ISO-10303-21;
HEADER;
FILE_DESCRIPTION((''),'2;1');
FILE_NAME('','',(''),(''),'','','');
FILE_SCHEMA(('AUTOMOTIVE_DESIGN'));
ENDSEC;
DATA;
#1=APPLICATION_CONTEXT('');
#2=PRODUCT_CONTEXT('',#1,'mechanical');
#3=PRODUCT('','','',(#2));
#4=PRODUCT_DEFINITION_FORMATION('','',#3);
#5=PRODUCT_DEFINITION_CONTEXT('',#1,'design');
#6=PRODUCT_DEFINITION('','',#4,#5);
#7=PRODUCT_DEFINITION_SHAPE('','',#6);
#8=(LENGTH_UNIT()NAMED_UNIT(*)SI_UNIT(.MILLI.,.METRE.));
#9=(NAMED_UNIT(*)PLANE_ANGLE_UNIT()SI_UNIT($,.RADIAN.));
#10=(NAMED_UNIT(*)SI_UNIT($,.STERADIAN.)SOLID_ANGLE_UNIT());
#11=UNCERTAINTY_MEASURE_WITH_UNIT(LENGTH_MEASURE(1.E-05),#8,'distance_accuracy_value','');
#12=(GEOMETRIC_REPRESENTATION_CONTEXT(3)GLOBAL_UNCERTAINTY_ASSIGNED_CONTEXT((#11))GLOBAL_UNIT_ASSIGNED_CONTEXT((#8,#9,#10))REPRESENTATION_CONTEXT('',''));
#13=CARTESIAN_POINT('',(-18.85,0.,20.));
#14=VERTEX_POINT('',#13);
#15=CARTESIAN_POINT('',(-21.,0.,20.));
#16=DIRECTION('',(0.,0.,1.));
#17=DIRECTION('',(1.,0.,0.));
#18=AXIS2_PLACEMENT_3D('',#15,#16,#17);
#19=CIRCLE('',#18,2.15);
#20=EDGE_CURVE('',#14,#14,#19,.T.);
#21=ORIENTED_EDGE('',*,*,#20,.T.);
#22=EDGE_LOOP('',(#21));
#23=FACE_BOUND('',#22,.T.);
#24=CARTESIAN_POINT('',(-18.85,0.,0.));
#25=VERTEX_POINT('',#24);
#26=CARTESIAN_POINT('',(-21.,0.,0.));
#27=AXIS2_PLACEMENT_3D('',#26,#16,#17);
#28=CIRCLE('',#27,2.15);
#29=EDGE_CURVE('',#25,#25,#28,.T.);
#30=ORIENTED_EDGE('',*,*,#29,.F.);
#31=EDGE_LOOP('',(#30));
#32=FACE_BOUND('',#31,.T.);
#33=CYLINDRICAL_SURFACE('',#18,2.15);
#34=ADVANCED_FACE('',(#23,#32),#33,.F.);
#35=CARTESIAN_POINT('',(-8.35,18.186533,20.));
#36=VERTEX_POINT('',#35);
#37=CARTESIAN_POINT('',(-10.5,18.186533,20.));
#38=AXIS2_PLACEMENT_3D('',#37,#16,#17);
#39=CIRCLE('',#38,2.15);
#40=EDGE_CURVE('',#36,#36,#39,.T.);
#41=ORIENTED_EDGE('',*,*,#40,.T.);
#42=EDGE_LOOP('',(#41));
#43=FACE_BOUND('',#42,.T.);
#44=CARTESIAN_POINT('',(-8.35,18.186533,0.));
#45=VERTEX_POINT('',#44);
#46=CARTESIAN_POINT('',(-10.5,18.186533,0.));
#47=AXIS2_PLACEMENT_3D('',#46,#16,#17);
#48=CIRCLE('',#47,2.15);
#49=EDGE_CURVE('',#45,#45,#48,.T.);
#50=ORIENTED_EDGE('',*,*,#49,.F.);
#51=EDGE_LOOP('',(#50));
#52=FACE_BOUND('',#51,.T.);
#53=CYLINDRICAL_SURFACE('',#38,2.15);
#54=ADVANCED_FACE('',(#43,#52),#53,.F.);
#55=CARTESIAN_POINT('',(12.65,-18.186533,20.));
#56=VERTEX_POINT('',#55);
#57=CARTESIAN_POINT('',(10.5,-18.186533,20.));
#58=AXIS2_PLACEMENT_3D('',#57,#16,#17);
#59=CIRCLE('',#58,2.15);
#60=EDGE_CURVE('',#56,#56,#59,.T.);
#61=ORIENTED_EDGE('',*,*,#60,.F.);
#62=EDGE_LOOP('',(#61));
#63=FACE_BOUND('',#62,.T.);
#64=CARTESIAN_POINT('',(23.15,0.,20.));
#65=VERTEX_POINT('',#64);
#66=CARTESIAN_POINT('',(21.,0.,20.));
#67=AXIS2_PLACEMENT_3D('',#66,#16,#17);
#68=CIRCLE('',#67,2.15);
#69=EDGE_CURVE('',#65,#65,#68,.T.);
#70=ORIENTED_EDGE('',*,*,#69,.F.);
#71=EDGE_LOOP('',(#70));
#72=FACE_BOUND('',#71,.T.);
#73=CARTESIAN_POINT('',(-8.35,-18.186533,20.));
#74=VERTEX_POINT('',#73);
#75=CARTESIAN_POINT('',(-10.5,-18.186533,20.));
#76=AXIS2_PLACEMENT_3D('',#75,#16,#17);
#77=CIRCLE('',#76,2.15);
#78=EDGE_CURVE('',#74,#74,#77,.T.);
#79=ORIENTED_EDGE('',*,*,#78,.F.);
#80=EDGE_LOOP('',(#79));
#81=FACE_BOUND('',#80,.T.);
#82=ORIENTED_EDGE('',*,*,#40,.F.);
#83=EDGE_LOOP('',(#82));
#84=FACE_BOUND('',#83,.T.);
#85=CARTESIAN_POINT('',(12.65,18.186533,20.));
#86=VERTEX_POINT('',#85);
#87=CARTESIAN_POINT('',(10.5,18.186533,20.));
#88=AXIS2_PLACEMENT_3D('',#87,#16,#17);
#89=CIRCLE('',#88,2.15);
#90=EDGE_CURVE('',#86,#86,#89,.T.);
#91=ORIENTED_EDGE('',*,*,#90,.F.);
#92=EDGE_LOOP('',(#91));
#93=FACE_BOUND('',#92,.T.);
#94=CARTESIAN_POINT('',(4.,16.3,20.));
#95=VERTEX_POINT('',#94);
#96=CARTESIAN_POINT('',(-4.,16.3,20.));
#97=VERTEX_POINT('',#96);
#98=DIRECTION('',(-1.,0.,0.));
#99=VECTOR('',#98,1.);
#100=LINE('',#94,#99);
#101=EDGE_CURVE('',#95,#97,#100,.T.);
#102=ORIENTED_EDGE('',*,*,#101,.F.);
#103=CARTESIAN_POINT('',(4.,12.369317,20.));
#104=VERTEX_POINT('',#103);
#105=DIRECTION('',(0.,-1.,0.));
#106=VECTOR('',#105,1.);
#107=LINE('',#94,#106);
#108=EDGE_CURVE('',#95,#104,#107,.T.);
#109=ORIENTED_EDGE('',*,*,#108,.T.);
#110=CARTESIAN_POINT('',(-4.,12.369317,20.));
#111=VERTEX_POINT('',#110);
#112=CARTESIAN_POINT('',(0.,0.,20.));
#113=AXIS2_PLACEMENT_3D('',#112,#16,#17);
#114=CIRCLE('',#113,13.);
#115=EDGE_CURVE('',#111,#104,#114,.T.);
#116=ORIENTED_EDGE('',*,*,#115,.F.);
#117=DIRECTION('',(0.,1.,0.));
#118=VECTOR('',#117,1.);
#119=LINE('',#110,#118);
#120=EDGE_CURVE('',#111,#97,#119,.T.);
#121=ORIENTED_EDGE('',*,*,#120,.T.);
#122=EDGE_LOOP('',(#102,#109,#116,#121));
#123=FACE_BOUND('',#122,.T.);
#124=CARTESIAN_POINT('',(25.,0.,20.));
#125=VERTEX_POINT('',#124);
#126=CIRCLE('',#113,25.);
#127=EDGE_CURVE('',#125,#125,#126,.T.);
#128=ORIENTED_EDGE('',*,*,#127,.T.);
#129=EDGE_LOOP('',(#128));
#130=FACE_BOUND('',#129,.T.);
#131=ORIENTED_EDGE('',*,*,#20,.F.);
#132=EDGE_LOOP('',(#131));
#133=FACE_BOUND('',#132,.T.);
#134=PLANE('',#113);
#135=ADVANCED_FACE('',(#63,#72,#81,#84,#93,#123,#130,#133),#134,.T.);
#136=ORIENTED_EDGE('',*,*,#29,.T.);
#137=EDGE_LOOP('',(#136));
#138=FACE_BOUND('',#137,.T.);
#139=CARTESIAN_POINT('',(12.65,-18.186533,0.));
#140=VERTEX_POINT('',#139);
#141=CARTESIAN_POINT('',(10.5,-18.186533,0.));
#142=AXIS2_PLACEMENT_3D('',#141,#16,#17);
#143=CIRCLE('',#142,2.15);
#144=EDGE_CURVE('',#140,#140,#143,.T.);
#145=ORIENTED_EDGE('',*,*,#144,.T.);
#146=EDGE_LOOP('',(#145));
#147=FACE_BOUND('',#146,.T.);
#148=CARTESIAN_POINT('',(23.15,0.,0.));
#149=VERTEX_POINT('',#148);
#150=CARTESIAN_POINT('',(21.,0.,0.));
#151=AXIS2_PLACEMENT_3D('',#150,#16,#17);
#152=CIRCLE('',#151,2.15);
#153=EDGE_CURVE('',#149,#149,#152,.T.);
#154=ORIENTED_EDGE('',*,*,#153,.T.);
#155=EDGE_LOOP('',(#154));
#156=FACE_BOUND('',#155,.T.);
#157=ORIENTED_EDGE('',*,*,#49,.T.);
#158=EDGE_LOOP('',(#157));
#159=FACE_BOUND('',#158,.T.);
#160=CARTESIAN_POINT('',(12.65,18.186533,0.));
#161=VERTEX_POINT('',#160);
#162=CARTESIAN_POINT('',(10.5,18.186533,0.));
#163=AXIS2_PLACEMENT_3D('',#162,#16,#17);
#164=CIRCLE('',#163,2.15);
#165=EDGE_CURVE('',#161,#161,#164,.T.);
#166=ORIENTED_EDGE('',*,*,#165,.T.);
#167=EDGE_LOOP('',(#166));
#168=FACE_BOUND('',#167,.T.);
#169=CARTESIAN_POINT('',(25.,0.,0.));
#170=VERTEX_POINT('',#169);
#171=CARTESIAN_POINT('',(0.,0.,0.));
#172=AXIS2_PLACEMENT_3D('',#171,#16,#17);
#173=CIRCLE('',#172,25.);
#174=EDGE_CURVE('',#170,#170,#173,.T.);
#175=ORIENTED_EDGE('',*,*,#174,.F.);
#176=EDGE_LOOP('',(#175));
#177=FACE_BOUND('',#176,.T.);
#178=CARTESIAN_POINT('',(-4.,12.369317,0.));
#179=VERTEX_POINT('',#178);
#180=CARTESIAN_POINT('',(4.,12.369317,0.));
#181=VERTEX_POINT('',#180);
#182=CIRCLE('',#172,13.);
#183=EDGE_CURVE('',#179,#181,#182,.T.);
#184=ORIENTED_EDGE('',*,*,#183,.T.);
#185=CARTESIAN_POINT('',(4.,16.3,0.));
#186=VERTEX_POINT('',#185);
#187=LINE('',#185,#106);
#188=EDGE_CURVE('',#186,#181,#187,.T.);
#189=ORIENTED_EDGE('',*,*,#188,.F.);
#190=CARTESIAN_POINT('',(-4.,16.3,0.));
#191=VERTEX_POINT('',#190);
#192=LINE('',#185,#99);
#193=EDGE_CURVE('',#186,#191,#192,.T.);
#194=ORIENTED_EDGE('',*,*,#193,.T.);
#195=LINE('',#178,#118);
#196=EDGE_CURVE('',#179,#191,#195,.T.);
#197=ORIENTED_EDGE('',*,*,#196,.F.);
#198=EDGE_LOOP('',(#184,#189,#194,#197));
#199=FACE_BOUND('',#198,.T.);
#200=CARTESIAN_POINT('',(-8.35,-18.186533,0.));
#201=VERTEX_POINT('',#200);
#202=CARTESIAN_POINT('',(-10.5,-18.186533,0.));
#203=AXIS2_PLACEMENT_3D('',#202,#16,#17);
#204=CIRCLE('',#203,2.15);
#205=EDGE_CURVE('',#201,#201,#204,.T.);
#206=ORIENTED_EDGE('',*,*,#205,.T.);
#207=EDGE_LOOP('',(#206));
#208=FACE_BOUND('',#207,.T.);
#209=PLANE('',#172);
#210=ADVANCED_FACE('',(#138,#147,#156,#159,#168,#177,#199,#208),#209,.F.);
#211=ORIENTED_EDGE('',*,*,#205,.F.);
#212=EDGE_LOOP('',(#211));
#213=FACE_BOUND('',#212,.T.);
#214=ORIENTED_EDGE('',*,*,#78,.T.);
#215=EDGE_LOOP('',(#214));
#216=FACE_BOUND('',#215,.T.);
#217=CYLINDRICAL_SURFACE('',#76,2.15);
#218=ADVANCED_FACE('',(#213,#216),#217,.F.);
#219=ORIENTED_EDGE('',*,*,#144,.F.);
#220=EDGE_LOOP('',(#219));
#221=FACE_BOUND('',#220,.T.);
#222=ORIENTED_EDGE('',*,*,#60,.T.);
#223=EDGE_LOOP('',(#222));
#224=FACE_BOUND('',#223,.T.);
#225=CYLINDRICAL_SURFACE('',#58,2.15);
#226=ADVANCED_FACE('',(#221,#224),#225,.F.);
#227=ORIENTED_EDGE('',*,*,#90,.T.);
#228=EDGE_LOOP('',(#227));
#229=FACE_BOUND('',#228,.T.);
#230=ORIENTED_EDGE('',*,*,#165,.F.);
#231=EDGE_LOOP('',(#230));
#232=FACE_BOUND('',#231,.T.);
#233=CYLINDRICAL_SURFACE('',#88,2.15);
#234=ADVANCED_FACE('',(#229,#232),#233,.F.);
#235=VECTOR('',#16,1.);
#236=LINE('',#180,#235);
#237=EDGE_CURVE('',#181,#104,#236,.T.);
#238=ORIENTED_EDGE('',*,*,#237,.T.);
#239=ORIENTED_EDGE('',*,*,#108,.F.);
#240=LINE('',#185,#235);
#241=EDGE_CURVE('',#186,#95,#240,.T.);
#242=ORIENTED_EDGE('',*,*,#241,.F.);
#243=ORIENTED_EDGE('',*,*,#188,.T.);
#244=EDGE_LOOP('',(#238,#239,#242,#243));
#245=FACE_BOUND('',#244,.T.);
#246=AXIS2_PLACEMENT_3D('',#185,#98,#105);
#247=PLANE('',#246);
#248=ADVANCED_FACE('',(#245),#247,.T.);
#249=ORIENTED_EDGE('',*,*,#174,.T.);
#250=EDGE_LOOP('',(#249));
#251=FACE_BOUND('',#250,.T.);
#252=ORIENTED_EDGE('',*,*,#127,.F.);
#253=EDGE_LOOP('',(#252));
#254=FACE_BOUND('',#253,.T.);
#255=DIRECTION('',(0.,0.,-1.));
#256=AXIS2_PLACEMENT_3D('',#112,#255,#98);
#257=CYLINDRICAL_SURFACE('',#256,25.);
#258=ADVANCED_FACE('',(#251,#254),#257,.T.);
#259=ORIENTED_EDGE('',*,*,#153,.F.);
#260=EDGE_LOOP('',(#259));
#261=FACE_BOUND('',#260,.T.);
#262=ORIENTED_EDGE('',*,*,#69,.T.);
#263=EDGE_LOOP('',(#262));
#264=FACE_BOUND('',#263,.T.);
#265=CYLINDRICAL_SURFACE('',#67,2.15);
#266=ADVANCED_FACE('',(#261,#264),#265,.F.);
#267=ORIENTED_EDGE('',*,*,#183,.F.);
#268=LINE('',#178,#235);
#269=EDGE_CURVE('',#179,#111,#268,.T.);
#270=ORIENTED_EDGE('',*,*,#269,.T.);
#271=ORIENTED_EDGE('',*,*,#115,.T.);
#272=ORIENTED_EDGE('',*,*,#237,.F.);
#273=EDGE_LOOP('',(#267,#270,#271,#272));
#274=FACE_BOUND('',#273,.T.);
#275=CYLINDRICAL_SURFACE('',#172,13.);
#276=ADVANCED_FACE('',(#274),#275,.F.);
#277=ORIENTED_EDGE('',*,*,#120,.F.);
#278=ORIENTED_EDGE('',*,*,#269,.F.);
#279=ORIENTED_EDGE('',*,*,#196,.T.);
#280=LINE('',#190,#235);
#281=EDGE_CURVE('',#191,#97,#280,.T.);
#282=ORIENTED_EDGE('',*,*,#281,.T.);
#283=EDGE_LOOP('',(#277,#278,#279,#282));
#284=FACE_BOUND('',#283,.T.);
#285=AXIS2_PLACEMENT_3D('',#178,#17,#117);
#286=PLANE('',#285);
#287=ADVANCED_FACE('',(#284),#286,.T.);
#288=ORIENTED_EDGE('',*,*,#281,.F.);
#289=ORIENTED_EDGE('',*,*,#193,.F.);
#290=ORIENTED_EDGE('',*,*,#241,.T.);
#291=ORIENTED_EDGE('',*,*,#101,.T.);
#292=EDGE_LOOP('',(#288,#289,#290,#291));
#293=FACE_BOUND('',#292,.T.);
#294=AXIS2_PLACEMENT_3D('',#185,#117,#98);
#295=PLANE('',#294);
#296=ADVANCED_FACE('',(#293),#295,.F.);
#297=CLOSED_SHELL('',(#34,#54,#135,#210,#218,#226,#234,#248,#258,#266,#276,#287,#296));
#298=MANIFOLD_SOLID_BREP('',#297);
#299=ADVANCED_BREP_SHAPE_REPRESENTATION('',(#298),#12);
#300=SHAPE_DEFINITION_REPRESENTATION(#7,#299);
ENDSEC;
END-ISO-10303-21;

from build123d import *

# Parameters (mm, degrees)
CROQUIS1_R                   = 25
SALIENTE_EXTRUIR1_DEPTH      = 20
KEYWAY_DEPTH                 = 21
TALADRO_DE_MARGEN_PARA_M41_D = 4.3


with BuildPart() as part:
    # Croquis1 → Saliente-Extruir1 (new body)
    with BuildSketch(Plane.XY):
        Circle(CROQUIS1_R)
    extrude(amount=SALIENTE_EXTRUIR1_DEPTH)

    # KeySketch → Keyway (cut, through all)
    with BuildSketch(Plane(origin=(-0.358560603, -1.171254478, 20), x_dir=(1, 0, 0), z_dir=(0, 0, 1))):
        with BuildLine():
            Line((-3.641439397, 13.540571355), (-3.641439397, 17.471254478))
            Line((-3.641439397, 17.471254478), (4.358560603, 17.471254478))
            Line((4.358560603, 17.471254478), (4.358560603, 13.540571355))
            ThreePointArc((4.358560603, 13.540571355), (0.358560603, -11.828745522), (-3.641439397, 13.540571355))
        make_face()
    extrude(amount=-KEYWAY_DEPTH, mode=Mode.SUBTRACT)

    # Taladro de margen para M41 (through all)
    with Locations(Plane.XY.offset(20)):
        with Locations((21, 0), (10.5, -18.186533479), (-10.5, -18.186533479), (-21, 0), (-10.5, 18.186533479), (10.5, 18.186533479)):
            Hole(TALADRO_DE_MARGEN_PARA_M41_D / 2)


solid = part.part
